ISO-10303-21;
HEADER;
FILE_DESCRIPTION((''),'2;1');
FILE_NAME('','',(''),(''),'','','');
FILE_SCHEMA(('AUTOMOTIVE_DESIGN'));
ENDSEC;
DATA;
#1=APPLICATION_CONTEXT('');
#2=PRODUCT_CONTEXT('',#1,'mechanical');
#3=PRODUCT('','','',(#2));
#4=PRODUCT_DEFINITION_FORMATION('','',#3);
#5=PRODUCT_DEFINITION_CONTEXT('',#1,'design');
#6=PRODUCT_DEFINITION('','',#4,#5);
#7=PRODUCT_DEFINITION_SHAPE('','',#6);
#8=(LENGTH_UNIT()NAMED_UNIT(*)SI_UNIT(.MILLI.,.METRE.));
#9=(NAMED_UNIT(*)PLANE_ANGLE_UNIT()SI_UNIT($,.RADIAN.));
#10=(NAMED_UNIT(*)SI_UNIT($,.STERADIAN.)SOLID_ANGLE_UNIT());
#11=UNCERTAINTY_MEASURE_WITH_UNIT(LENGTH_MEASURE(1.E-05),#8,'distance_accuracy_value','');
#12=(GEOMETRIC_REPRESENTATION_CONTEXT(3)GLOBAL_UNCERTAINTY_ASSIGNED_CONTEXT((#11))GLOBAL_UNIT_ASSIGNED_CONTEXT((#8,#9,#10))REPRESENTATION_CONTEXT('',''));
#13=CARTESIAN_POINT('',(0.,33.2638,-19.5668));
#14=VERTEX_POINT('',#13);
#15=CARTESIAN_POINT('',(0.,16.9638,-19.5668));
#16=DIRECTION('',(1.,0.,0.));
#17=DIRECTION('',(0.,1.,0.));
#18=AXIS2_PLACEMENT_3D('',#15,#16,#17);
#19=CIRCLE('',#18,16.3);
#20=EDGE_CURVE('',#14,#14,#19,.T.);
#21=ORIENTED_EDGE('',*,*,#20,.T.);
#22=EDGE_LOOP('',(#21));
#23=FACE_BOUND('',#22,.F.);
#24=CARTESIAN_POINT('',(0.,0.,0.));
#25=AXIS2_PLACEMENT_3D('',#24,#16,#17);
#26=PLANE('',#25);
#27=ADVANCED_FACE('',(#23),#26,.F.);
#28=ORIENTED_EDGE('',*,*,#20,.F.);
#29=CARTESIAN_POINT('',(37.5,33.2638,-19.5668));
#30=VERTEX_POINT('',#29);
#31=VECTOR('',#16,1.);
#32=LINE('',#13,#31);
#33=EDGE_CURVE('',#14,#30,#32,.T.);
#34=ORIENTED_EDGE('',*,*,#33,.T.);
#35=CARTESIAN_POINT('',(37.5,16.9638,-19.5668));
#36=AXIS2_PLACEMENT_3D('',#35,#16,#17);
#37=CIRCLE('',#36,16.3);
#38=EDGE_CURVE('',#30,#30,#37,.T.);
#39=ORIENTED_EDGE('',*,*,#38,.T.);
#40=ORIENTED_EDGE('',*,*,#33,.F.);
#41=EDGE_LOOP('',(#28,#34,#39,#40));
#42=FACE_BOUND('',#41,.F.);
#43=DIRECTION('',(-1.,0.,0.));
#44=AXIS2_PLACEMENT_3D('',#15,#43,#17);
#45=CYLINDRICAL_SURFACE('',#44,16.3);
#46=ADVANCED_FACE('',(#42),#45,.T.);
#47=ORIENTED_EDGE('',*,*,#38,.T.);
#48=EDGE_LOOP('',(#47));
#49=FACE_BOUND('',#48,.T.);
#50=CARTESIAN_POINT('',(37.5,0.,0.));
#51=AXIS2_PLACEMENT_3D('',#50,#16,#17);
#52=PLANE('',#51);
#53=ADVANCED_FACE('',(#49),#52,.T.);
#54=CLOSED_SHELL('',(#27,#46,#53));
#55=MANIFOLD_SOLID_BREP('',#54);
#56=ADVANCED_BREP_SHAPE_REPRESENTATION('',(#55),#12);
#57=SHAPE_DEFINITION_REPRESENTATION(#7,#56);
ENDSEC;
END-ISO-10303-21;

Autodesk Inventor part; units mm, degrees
ref_plane "YZ Plane" through (0, 0, 0) normal (1, 0, 0) x (0, 1, 0)
ref_plane "XZ Plane" through (0, 0, 0) normal (0, 1, 0) x (-1, 0, 0)
ref_plane "XY Plane" through (0, 0, 0) normal (0, 0, 1) x (1, 0, 0)
sketch "Sketch1" plane through (0, 0, 0) normal (1, 0, 0) x (0, 1, 0)
  circle A0 centre (16.9638, -19.5668) radius 16.3
  point P0 (0, 0)
  dimension "d0" = 32.6
extrude "Extrusion1" add sketch "Sketch1" along normal blind 37.5
properties part number "Lense"
